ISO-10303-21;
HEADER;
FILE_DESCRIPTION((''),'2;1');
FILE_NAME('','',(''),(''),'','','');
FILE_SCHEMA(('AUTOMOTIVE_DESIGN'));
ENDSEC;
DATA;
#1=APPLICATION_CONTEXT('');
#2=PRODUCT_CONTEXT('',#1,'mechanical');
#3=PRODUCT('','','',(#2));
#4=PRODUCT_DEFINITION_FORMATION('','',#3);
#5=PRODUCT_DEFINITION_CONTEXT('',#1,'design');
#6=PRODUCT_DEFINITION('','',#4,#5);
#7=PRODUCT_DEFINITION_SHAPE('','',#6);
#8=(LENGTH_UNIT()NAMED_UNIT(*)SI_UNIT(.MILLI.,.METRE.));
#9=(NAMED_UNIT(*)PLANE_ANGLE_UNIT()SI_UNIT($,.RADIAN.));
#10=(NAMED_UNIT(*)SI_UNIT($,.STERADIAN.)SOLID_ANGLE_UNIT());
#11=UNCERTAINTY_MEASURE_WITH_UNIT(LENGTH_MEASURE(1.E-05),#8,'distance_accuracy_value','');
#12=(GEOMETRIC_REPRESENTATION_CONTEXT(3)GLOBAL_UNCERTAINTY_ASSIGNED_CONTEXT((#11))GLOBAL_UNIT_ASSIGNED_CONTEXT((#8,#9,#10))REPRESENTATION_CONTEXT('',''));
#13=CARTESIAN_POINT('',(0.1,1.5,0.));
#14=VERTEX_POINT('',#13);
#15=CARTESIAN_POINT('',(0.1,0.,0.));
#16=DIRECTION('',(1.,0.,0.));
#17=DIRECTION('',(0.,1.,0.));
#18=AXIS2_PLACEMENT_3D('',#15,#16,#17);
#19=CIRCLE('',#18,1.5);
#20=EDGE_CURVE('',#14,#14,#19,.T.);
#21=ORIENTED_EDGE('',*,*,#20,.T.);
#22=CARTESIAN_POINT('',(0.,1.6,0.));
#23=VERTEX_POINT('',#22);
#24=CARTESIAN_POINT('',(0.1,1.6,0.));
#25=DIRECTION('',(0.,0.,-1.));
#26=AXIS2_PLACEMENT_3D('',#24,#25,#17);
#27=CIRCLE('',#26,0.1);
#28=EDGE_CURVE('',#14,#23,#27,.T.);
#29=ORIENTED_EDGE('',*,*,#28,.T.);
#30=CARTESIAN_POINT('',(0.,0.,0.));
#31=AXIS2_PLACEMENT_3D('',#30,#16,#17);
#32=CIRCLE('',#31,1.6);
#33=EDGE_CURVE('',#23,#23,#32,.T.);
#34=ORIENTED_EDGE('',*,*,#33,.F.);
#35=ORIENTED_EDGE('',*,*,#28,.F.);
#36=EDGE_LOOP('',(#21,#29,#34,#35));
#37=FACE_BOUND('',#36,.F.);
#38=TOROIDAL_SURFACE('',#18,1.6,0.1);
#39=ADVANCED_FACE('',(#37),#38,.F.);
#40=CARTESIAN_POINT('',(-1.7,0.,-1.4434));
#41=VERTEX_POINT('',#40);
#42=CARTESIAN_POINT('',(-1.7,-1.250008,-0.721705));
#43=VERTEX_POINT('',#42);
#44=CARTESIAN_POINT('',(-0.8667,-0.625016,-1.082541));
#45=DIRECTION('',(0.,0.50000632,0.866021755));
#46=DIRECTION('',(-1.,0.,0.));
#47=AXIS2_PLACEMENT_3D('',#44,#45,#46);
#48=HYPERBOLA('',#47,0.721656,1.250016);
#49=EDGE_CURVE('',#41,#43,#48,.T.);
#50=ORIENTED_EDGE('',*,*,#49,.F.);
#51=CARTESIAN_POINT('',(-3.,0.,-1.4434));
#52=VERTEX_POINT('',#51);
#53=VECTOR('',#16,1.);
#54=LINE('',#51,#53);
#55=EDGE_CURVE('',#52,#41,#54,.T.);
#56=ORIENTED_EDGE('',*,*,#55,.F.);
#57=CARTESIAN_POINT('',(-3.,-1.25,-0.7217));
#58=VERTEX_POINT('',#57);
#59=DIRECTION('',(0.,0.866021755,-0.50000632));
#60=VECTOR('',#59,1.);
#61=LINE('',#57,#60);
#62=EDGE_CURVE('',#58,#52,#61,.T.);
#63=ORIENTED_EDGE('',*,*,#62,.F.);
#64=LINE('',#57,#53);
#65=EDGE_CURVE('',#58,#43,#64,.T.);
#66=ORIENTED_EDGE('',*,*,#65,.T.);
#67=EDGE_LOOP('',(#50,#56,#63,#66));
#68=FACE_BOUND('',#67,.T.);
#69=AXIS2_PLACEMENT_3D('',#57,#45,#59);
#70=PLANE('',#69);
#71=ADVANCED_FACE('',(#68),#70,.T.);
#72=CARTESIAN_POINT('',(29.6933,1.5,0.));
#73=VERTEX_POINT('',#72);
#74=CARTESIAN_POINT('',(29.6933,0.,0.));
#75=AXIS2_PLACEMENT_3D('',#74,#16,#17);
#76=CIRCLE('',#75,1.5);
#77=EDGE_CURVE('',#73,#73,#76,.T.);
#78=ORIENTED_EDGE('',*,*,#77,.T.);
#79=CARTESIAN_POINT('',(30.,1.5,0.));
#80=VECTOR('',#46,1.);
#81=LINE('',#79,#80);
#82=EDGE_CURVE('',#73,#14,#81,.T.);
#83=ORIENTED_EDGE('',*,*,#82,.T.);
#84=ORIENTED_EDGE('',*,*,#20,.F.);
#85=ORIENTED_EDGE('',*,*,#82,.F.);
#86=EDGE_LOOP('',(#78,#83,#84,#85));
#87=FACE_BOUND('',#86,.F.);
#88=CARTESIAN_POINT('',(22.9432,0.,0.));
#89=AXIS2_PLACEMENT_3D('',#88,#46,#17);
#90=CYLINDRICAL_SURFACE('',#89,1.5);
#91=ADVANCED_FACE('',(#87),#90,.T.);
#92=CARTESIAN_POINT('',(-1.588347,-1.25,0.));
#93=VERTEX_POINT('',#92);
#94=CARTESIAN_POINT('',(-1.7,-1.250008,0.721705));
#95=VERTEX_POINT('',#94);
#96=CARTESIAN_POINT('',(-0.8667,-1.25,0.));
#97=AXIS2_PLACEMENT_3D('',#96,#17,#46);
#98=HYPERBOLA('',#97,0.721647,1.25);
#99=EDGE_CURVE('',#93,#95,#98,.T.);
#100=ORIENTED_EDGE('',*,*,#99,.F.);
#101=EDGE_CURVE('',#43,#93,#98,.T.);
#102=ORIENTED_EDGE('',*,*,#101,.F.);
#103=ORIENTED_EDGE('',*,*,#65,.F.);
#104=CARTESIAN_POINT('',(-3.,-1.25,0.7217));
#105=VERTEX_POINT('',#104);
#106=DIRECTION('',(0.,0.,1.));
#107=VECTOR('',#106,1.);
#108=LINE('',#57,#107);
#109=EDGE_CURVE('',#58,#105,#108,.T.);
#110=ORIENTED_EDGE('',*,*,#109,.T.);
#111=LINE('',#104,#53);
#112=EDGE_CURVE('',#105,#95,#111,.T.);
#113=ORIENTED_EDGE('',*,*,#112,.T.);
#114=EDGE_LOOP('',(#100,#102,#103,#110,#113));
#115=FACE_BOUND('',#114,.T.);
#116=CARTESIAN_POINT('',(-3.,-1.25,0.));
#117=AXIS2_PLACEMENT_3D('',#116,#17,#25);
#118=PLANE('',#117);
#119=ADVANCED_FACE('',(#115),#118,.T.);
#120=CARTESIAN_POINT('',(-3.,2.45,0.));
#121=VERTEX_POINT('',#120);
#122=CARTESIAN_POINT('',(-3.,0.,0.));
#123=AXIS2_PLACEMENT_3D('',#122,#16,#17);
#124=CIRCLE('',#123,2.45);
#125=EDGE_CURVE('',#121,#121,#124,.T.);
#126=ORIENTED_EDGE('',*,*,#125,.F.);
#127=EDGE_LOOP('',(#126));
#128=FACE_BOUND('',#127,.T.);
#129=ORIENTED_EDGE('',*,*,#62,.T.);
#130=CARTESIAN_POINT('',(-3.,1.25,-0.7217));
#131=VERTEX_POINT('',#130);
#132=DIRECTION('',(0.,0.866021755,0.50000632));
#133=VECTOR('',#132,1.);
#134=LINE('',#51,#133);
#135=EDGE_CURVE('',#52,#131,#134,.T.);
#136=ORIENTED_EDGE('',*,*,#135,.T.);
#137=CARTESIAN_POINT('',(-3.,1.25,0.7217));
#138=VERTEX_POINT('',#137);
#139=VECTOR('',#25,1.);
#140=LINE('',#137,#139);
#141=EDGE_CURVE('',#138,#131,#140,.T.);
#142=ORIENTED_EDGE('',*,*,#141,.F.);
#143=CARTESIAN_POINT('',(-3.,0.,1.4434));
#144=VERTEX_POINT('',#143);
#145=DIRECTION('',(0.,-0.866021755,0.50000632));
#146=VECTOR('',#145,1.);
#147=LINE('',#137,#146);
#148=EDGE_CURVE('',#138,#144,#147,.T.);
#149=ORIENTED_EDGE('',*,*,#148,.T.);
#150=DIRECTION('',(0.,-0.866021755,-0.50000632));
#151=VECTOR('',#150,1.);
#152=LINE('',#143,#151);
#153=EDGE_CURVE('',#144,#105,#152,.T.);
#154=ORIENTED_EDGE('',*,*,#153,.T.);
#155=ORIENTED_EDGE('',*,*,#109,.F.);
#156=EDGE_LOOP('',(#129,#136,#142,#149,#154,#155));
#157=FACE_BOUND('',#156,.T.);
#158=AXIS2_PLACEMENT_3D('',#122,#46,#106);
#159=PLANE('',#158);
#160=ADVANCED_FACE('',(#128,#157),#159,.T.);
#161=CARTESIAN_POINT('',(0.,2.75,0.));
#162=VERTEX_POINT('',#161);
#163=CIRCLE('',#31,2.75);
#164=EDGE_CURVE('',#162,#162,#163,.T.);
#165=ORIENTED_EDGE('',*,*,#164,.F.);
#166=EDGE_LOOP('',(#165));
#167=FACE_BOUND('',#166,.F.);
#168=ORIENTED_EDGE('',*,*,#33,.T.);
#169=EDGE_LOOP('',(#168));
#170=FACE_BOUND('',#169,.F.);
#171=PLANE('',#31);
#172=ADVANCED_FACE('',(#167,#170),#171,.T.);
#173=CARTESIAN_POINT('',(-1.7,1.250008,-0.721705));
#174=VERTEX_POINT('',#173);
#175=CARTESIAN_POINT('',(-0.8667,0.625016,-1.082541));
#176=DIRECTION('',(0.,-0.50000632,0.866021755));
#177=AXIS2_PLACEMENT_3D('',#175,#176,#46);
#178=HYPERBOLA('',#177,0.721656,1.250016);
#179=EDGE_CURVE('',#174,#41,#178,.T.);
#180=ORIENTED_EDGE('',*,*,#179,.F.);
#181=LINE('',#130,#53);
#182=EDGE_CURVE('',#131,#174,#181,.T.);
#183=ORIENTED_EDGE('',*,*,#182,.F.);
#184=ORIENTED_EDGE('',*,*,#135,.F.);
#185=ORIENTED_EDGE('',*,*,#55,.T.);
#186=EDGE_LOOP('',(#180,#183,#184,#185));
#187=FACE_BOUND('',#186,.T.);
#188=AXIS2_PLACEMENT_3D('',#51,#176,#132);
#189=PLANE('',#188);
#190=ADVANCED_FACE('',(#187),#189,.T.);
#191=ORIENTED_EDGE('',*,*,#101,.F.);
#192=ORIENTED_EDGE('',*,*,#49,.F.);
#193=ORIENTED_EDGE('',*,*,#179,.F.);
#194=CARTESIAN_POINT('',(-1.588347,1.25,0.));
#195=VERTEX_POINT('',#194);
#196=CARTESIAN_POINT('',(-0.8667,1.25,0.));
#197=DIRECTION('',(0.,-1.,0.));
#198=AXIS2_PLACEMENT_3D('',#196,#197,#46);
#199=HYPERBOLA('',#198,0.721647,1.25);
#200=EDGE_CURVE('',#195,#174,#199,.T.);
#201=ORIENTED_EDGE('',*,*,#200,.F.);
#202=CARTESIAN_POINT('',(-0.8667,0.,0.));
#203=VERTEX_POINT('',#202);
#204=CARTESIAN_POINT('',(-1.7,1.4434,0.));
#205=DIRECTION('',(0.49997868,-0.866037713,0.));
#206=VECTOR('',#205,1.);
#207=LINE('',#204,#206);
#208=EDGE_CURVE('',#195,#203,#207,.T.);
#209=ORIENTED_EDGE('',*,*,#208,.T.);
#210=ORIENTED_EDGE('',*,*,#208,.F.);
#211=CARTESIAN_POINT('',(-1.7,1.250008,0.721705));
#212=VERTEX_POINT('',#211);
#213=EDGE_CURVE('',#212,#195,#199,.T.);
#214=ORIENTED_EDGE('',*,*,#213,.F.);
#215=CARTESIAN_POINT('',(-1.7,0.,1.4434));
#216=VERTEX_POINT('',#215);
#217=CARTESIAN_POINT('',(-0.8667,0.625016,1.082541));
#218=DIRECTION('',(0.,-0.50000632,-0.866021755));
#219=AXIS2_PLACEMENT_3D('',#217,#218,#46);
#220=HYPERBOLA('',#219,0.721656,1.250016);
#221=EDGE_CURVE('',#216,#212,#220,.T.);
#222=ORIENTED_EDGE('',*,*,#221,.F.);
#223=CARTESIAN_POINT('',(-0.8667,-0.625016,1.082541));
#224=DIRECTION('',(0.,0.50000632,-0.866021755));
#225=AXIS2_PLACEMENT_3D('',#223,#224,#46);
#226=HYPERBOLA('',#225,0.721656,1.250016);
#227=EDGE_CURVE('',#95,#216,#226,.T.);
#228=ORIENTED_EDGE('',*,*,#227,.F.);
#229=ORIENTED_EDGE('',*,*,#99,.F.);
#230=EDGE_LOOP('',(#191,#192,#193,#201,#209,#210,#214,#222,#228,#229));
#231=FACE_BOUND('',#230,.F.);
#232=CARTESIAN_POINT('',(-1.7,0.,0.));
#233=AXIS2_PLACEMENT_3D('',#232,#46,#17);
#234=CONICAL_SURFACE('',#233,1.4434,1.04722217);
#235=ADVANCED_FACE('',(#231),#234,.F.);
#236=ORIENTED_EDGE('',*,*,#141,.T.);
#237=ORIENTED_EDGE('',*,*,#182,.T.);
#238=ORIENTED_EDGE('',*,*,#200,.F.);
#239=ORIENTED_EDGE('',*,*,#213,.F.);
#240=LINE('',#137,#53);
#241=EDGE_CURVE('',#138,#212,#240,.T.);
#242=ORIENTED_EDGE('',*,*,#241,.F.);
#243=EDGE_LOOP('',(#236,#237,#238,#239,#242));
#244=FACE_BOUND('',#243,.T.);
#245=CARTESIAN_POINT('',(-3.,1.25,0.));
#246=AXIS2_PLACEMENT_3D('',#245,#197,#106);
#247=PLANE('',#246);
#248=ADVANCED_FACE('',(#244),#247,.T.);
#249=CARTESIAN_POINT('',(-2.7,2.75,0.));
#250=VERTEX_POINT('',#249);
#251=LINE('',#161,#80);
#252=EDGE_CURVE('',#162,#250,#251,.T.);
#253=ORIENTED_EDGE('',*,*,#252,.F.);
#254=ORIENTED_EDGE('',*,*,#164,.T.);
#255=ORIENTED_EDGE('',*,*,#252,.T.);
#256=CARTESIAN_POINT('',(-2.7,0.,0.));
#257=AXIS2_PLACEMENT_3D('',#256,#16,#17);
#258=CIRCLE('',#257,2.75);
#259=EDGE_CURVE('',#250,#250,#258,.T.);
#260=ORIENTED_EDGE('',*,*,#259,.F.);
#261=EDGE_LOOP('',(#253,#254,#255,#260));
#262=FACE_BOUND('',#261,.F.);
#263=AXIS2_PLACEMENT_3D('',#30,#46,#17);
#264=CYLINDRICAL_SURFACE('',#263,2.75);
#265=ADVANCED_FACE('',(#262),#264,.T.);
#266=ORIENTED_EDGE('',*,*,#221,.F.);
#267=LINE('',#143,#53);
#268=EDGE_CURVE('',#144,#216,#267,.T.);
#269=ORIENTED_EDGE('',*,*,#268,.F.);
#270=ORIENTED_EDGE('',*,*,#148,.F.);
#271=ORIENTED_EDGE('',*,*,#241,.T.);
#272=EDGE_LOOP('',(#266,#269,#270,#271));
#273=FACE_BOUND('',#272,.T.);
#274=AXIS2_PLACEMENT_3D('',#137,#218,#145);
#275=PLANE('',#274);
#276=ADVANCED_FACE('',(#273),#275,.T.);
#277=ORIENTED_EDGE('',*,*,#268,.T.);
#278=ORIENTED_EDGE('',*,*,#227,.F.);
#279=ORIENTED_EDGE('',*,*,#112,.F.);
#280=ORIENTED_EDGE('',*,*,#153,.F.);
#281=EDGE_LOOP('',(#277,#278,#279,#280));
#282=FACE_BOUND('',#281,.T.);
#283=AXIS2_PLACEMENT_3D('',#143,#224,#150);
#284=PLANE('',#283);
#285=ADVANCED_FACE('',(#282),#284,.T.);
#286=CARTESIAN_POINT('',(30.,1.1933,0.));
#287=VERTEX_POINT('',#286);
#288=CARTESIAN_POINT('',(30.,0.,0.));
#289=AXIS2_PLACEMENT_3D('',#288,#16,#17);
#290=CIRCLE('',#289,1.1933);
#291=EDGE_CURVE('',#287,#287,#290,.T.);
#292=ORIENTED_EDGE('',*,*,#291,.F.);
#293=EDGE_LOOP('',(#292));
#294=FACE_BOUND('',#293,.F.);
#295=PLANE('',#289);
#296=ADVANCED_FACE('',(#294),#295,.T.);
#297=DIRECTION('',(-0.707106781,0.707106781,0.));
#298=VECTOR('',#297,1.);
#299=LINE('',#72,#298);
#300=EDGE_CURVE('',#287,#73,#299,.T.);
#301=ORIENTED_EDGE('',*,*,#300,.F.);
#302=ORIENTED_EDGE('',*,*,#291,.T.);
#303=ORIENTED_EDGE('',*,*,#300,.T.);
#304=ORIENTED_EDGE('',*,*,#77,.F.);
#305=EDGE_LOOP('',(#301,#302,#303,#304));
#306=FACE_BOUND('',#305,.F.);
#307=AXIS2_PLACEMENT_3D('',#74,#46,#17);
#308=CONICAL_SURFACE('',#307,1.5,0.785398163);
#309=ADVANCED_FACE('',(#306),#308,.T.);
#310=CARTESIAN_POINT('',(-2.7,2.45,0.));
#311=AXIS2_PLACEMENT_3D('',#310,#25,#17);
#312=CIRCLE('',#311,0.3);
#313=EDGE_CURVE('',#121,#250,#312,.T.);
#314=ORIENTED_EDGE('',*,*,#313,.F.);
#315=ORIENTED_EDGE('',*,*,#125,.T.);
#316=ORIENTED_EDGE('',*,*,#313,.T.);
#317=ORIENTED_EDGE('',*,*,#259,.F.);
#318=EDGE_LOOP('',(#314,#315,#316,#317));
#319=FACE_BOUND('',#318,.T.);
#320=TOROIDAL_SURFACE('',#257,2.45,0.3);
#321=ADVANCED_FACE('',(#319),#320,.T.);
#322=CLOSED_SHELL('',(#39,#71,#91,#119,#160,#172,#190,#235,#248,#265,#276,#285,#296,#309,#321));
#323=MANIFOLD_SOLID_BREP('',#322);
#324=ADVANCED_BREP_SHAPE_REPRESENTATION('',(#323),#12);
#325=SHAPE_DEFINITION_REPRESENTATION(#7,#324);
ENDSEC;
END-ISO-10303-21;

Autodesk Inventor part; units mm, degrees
ref_plane "YZ Plane" through (0, 0, 0) normal (1, 0, 0) x (0, 1, 0)
ref_plane "XZ Plane" through (0, 0, 0) normal (0, 1, 0) x (-1, 0, 0)
sketch "Sketch1" plane through (0, 0, 0) normal (0, 0, 1) x (1, 0, 0)
  line L0 (-0.8667, 0) -> (30, 0)
  line L1 (30, 0) -> (30, 1.5)
  line L2 (30, 1.5) -> (23.25, 1.5)
  line L3 (23.25, 1.5) -> (22.9432, 1.5)
  line L4 (22.9432, 1.5) -> (0, 1.5)
  line L5 (0, 1.5) -> (0, 2.75)
  line L6 (0, 2.75) -> (-3, 2.75)
  line L7 (-3, 2.75) -> (-3, 1.4434)
  line L8 (-3, 1.4434) -> (-1.7, 1.4434)
  line L9 (-1.7, 1.4434) -> (-0.8667, 0)
  line L10 (-9.6, 0) -> (36.6, 0) projected
  line L11 (0, -0.55) -> (0, 3.3) projected
  line L12 (23.25, 1.5) -> (0, 1.5) construction
  dimension "d1" = 6.75
  dimension "d2" = 0.3068
  dimension "d3" = 3
  dimension "d4" = 1.3
  dimension "d5" = 60
  dimension "d6" = 3
  dimension "d7" = 3
  dimension "d8" = 2.8868
  dimension "d9" = 5.5
  dimension "d26" = 30
revolve "Body" add sketch "Sketch1" angle 360 about axis through (-0.8667, 0, 0) along (1, 0, 0)
sketch "Sketch2" plane through (-3, 0, 0) normal (-1, 0, 0) x (0, 0, 1)
  circle A0 centre (0, 0) radius 1.4434 projected
  line L0 (0, -3.85) -> (0, 3.85) projected
  line L1 (-3.85, 0) -> (3.85, 0) projected
  line L2 (1.4434, 0) -> (0.7217, -1.25)
  line L3 (0.7217, -1.25) -> (-0.7217, -1.25)
  line L4 (-0.7217, -1.25) -> (-1.4434, 0)
  line L5 (-1.4434, 0) -> (-0.7217, 1.25)
  line L6 (-0.7217, 1.25) -> (0.7217, 1.25)
  line L7 (0.7217, 1.25) -> (1.4434, 0)
extrude "Slot" add sketch "Sketch2" against normal up to next contours L7 A0 | A0 L2 | L6 L0 A0 | A0 L0 L3 | L0 L6 A0 | A0 L3 L0 | L4 A0 | A0 L5
fillet "Fillet1" radius 0.3 1 edges at (-3, -2.75, 0)
thread "Thread" size "M3x0.5" class "6g" standard "ISO Metric profile" length 6.75
chamfer "Chamfer1" distance 0.3067 distance2 0.3067 1 edges at (30, -1.5, 0) measured on face at (30, -0.3888, 0.2119)
ref_plane "Work Plane1" through (29, 0, 0) normal (0, -1, 0) x (1, 0, 0)
fillet "Fillet2" radius 0.1 1 edges at (0, -1.5, 0)
equation "\"d1\" = GEL"
equation "\"d3\" = KOH"
equation "\"d4\" = INTI"
equation "\"d6\" = GD"
equation "\"d7\" = BDM"
equation "\"d8\" = 1.1547 * SW"
equation "\"d9\" = KOD"
equation "\"d17\" = RR"
equation "\"d13\" = GEL"
equation "\"d15\" = -0.5 * SPD + 0.5 * GD"
equation "\"d16\" = GUL"
equation "\"d30\" = R"
equation "\"GD\" = NND"
equation "\"NLG\" = 8"
equation "\"GEL\" = 6.75"
equation "\"KOD\" = 5.5"
equation "\"KOH\" = NND"
equation "\"INTI\" = 1.3"
equation "\"GAL\" = 0.61345 * PTC"
equation "\"GUL\" = 0.61345 * PTC"
equation "\"BDM\" = NND"
equation "\"SW\" = 2.5"
equation "\"RR\" = 0.1 * NND"
equation "\"SPD\" = NND - 1.2269 * PTC"
equation "\"R\" = 0.1"
equation "\"PHH\" = 0.13"
equation "\"GD1\" = THREADDIA - 1.2269 * PTC"
equation "\"THREADDIA\" = 3"
equation "\"FAWI\" = 45deg"
equation "\"PTC\" = 0.5"
equation "\"KOH1\" = 2.7"
equation "\"NND\" = 3"
equation "\"TOA\" = 30deg"
equation "\"E0\" = 1.155 * SW"
properties part number "AS 1420 - 1973 - M3 x 8" material "Steel, Mild"
